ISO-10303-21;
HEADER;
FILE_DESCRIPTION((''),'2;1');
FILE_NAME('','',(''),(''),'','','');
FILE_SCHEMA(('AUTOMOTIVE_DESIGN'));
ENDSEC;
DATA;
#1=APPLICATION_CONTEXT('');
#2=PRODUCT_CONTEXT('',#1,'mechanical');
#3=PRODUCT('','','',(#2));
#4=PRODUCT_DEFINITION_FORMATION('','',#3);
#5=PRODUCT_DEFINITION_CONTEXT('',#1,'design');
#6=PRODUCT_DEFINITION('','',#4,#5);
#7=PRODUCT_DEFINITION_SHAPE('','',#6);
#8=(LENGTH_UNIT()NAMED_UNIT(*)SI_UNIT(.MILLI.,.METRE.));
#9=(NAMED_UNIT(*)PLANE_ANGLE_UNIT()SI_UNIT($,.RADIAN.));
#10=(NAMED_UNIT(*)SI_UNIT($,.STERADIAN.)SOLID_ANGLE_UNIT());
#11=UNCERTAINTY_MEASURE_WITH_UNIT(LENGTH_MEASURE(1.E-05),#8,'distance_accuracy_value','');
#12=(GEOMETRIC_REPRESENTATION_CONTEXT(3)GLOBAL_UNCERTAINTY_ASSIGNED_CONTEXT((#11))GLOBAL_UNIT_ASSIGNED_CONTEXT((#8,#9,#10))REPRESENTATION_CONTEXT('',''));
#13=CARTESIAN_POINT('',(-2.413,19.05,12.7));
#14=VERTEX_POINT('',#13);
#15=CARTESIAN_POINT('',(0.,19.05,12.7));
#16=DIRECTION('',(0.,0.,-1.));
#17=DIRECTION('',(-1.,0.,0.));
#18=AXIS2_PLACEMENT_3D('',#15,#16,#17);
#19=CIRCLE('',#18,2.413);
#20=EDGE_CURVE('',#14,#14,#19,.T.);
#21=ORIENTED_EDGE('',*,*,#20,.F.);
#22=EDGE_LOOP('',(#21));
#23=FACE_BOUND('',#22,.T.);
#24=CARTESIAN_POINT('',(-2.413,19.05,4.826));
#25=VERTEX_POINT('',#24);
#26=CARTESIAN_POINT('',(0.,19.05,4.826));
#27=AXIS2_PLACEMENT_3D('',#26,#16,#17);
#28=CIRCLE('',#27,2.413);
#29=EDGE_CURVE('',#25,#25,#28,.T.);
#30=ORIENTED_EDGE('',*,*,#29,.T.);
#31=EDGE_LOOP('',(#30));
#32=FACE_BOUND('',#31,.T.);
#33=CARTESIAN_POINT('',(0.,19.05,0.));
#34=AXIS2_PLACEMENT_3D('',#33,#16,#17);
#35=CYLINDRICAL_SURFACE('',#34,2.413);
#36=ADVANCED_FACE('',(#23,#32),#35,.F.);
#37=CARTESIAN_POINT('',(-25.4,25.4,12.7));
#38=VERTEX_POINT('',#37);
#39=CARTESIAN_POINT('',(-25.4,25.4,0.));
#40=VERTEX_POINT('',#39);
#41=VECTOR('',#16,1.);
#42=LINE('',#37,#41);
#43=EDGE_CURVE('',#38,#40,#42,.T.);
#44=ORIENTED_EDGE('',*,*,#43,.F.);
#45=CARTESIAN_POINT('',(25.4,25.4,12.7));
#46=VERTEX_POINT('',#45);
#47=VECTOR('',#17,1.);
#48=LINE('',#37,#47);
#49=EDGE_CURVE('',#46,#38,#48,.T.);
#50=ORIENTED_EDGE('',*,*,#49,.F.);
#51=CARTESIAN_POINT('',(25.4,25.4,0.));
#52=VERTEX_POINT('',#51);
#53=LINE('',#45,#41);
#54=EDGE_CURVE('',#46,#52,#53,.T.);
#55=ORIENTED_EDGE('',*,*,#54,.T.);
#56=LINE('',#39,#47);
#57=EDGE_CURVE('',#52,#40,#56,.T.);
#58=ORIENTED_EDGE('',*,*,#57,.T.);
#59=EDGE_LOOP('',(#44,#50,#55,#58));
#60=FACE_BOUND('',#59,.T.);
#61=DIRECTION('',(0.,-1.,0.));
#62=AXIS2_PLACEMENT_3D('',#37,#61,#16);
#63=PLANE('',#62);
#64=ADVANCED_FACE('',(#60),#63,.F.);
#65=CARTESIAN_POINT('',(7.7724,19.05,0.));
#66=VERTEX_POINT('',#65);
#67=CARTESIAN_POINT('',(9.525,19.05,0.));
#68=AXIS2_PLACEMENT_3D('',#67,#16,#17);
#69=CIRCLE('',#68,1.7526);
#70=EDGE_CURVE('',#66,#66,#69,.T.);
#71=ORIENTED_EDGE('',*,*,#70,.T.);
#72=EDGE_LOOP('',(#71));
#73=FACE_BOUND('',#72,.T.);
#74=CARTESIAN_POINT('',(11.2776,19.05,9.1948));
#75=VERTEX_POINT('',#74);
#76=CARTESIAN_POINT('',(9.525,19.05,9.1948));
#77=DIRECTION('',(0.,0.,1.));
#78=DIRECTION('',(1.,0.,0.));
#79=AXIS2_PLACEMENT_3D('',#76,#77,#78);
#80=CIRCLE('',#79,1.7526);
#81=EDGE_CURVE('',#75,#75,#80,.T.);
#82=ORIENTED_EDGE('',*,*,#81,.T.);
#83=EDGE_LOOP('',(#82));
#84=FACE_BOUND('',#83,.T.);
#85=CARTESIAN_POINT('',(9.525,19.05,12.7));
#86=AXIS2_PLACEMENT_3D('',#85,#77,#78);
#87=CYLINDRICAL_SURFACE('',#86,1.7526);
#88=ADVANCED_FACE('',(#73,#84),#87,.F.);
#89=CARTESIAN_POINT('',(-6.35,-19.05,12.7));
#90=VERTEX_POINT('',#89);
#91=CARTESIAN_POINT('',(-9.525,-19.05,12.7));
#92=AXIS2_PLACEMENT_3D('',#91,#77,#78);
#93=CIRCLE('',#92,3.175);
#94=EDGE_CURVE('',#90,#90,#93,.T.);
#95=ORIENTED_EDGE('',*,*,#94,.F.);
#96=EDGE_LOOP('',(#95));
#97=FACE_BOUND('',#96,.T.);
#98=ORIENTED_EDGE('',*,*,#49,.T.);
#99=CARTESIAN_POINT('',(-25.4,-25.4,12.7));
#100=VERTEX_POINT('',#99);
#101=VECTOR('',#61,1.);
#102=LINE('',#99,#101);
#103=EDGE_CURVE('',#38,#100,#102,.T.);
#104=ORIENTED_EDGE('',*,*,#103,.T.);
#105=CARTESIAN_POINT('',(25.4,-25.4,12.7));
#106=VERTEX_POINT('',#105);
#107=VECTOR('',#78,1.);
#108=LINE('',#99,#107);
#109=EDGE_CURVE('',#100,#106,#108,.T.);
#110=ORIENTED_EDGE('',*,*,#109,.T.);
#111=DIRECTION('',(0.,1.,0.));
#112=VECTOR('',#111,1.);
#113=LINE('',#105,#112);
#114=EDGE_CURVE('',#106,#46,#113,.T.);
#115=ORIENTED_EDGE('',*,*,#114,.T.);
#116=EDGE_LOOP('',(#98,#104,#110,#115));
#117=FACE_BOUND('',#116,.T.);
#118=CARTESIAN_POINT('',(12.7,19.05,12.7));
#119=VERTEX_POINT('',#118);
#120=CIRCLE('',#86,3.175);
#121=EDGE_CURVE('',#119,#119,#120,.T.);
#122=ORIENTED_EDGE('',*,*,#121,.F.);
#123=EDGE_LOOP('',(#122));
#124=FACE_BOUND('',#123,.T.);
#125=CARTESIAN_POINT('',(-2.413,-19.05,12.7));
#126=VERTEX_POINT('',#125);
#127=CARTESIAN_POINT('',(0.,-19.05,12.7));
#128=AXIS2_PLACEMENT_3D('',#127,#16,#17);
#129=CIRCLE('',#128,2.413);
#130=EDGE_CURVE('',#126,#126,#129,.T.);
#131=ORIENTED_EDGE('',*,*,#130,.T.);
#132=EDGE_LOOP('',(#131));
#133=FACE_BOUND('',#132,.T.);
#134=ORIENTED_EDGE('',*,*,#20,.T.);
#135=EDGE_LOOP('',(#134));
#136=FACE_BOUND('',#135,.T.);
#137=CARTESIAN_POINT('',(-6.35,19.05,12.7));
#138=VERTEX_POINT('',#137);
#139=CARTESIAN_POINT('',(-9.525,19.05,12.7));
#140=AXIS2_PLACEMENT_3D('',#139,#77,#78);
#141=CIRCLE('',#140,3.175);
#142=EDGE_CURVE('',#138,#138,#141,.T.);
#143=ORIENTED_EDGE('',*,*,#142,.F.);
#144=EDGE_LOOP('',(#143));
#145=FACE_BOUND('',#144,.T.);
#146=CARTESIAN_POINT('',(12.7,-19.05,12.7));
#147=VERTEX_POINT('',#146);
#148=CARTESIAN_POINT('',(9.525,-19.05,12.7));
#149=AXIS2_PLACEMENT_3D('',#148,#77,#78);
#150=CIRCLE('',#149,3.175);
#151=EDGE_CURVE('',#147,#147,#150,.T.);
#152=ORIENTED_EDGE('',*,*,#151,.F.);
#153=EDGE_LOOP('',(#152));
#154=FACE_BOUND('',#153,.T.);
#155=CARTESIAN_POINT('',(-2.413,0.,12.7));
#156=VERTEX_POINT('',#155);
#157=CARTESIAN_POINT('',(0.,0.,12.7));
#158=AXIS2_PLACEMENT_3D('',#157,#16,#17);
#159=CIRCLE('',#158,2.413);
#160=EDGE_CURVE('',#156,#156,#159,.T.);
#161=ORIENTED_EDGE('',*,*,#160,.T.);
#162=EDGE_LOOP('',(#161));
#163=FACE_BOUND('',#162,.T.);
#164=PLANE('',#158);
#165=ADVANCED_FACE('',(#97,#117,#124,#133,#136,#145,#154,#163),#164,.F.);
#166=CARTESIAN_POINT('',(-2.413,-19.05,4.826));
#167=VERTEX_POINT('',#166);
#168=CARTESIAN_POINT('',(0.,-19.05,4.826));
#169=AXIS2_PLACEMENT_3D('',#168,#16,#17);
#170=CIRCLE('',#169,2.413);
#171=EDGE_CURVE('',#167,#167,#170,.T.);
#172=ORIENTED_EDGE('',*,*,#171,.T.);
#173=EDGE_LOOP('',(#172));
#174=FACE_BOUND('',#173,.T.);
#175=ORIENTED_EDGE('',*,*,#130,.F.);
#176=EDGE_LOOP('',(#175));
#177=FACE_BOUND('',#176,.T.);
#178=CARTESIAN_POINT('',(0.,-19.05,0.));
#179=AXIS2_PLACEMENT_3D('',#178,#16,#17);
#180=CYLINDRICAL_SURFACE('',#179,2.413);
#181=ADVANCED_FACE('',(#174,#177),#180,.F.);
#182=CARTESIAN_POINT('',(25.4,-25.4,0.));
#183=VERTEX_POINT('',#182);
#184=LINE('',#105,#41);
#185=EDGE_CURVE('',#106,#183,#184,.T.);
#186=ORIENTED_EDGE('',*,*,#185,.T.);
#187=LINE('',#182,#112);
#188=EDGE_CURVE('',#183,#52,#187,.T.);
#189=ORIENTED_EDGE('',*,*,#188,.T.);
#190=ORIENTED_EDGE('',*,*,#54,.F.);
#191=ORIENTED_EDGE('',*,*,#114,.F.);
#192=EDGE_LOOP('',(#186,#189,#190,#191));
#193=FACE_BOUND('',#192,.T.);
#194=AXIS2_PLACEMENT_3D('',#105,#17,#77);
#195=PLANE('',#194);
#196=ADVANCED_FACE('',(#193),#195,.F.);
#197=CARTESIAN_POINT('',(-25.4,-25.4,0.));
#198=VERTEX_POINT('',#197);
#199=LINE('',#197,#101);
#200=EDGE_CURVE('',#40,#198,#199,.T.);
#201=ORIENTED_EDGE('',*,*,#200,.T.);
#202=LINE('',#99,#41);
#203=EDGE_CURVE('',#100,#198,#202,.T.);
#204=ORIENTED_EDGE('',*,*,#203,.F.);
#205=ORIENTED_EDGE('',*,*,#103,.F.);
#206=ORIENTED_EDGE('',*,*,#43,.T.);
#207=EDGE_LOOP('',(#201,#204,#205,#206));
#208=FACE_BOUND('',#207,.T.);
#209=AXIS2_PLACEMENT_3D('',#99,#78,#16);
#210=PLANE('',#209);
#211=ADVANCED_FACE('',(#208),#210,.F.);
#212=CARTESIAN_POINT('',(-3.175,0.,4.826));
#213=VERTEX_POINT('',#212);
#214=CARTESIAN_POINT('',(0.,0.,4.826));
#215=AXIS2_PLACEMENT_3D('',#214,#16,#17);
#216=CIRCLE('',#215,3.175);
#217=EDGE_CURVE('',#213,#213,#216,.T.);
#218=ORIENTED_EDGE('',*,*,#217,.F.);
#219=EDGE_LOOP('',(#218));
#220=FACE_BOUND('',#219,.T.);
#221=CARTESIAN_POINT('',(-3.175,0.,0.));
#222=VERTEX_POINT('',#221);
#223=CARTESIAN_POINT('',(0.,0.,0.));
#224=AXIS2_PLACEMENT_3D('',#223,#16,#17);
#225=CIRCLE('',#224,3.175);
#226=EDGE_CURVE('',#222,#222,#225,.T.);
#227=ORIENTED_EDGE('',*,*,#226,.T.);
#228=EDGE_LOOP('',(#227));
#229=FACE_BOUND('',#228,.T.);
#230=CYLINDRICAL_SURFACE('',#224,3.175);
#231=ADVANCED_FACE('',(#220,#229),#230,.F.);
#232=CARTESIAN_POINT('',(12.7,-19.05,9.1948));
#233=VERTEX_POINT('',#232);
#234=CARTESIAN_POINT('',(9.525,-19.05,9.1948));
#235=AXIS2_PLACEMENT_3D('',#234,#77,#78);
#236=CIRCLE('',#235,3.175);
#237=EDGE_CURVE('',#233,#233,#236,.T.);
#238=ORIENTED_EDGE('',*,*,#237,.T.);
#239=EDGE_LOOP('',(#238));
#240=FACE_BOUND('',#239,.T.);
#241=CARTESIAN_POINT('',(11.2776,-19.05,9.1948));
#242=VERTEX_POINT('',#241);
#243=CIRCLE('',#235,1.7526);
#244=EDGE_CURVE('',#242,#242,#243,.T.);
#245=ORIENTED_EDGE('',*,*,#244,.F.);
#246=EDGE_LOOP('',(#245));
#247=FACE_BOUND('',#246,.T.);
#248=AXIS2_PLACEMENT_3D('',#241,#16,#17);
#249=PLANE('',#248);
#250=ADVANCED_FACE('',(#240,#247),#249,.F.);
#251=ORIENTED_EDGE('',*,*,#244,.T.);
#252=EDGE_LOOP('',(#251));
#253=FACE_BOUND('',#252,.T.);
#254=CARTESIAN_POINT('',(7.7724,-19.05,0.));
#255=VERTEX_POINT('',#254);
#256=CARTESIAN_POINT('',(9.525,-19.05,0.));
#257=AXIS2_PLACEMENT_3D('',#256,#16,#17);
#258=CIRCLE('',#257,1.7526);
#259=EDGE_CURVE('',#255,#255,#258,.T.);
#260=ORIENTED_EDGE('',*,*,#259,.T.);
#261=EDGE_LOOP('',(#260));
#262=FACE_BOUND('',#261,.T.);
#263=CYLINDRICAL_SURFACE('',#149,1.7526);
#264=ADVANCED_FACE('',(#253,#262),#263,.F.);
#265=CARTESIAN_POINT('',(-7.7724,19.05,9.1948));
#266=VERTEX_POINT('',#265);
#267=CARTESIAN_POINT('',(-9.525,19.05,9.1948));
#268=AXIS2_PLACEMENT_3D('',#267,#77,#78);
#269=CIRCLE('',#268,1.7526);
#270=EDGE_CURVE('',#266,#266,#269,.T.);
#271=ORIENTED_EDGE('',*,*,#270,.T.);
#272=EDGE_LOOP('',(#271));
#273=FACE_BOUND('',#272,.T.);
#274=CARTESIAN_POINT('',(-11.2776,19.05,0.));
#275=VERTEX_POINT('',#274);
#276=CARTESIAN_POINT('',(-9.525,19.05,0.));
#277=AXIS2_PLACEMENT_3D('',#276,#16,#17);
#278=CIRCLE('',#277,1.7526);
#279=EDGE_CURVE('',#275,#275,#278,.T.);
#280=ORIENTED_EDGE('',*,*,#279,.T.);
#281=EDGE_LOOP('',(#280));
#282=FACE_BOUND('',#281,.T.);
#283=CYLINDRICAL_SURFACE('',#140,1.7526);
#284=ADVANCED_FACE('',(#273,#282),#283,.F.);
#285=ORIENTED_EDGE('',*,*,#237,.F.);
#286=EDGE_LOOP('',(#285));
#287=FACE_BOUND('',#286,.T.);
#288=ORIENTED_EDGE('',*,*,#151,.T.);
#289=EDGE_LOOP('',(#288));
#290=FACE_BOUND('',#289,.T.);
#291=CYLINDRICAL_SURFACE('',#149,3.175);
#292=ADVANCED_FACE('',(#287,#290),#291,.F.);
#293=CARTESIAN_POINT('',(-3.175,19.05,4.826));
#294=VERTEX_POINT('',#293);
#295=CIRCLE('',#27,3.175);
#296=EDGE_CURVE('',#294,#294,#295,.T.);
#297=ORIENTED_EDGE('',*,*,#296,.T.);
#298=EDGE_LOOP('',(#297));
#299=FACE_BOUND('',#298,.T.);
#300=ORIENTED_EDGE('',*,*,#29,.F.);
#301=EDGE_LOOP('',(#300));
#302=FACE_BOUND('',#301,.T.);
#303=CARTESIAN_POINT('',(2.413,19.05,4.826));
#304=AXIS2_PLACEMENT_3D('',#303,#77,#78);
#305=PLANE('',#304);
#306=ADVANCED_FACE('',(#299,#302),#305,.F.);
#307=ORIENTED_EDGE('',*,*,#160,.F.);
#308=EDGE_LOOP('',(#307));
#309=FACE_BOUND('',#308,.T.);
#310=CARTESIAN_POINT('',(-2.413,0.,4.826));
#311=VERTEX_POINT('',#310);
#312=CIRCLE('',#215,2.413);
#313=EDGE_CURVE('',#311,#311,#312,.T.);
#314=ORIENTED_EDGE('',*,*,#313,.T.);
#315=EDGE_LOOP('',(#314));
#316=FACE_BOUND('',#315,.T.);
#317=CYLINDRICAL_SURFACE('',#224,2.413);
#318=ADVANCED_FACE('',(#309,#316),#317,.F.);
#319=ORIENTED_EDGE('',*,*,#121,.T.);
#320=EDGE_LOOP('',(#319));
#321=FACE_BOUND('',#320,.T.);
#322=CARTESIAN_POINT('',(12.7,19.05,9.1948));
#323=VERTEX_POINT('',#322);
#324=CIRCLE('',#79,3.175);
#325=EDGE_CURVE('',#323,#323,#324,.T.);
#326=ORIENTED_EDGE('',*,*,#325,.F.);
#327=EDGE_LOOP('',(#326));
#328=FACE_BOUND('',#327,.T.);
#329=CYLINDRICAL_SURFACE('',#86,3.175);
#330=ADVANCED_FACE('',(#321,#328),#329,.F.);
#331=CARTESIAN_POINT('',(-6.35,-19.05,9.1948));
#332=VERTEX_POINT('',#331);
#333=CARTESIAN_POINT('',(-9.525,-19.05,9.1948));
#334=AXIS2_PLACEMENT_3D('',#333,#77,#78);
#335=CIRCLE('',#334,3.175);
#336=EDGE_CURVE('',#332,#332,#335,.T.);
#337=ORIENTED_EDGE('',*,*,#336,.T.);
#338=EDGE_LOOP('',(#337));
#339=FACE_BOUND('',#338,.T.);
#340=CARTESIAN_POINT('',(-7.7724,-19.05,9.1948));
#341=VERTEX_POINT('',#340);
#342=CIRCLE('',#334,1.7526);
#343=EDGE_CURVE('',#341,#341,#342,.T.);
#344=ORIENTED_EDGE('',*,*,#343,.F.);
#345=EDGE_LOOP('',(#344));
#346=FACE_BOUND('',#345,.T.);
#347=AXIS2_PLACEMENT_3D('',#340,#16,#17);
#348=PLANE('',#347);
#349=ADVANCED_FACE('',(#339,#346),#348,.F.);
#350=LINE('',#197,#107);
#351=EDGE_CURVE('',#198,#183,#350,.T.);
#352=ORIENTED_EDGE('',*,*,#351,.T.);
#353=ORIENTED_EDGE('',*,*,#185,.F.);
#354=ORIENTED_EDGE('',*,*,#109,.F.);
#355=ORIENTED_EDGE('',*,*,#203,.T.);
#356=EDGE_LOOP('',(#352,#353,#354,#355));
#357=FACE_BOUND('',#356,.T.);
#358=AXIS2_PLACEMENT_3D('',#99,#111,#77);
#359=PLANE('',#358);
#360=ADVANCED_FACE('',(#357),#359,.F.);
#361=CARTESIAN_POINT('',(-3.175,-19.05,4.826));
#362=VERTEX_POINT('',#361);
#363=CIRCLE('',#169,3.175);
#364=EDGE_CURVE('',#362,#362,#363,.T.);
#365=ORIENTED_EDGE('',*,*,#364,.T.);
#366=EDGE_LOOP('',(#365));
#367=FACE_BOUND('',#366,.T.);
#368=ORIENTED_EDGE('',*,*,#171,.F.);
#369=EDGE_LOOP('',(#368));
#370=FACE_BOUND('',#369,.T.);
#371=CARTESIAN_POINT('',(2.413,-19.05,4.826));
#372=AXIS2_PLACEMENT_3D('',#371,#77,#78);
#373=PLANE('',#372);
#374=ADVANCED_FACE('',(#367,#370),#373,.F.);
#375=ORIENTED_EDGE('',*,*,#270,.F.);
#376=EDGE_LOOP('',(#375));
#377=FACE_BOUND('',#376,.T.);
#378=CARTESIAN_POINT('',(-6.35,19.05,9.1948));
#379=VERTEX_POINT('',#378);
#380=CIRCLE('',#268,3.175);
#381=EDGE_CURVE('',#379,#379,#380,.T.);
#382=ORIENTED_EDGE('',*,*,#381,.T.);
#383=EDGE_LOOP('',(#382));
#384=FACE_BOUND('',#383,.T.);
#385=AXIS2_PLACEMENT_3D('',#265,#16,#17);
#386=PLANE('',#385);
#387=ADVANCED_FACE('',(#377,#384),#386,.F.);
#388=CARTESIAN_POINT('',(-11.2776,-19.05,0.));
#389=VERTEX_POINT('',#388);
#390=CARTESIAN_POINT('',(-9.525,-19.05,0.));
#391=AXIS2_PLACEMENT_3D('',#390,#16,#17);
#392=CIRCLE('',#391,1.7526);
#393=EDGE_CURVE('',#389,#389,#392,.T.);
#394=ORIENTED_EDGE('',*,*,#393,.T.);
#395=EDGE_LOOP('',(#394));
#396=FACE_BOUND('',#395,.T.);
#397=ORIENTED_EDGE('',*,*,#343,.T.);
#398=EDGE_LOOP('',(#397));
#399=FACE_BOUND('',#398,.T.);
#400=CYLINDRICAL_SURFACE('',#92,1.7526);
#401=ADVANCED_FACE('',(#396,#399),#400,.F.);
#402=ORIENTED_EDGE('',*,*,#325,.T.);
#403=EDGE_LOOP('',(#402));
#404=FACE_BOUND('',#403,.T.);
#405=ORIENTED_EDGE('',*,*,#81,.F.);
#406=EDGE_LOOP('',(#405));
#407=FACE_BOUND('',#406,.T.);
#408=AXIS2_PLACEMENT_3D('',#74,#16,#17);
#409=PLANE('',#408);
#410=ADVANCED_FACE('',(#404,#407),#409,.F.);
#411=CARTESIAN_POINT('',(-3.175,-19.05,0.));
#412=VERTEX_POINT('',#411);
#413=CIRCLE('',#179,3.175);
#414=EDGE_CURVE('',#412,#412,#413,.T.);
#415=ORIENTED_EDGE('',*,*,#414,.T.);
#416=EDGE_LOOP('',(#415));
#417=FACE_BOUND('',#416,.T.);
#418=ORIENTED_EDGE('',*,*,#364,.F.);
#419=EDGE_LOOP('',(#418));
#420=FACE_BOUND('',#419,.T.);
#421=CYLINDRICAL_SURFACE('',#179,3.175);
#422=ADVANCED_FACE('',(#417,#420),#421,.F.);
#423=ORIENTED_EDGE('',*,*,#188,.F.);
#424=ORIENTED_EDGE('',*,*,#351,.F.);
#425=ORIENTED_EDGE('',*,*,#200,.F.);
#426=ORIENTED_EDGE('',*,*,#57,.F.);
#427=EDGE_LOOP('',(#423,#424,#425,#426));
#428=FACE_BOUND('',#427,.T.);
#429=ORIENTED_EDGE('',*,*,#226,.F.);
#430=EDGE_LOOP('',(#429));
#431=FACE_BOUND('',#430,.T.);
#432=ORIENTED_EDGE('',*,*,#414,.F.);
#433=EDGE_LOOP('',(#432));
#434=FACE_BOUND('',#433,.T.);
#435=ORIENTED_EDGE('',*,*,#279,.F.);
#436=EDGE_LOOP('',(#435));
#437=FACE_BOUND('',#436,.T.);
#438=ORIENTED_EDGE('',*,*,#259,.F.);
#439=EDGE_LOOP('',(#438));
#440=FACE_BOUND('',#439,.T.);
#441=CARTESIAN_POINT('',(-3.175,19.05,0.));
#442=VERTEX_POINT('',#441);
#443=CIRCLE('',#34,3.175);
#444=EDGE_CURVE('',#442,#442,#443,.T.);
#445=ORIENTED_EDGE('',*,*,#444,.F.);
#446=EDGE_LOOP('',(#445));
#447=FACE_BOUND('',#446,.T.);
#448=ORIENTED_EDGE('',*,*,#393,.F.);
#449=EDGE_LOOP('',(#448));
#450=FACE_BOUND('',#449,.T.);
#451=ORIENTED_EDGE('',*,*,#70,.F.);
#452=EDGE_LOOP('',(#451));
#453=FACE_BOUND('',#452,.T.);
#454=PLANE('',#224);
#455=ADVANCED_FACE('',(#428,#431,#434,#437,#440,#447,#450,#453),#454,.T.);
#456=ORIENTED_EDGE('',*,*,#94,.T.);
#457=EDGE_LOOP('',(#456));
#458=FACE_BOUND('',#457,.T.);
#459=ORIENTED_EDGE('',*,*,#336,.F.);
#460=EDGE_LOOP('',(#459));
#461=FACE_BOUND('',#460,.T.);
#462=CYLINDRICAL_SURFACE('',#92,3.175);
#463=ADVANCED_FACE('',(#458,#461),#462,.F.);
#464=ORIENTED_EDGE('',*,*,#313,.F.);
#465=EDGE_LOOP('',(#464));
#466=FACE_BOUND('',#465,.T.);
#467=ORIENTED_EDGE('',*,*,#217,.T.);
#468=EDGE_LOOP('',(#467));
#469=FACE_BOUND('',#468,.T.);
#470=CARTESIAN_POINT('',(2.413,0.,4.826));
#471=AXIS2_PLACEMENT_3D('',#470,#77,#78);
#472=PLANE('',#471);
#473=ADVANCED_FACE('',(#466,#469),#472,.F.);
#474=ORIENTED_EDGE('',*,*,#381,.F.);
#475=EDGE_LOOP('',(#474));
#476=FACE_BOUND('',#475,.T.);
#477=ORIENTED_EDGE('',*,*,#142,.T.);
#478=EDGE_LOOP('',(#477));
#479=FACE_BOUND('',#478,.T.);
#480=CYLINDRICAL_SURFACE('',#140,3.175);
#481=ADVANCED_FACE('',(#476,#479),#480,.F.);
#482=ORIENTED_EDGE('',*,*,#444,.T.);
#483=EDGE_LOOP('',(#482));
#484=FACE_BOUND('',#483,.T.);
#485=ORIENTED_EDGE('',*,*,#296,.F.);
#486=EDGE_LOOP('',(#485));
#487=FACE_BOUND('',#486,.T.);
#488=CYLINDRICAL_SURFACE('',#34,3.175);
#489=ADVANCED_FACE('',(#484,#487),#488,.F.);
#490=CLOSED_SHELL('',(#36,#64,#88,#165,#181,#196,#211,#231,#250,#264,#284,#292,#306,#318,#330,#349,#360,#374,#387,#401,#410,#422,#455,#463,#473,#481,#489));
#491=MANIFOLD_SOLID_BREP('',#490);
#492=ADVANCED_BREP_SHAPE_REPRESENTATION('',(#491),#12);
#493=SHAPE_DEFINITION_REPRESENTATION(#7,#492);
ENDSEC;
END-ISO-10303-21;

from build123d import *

# Parameters (mm, degrees)
SKETCH1_W           = 50.8
SKETCH1_H           = 50.8
BOSS_EXTRUDE1_DEPTH = 12.7
F_10_CB_D           = 4.826
F_10_CB_CBORE_D     = 6.35
F_10_CB_CBORE_DEPTH = 4.826
F_6_CB_D            = 3.5052
F_6_CB_DEPTH        = 50.8
F_6_CB_CBORE_D      = 6.35
F_6_CB_CBORE_DEPTH  = 3.5052


with BuildPart() as part:
    # Sketch1 → Boss-Extrude1 (new body)
    with BuildSketch(Plane.XY):
        Rectangle(SKETCH1_W, SKETCH1_H)
    extrude(amount=BOSS_EXTRUDE1_DEPTH)

    # #10 CB (through all)
    with Locations(Plane(origin=(0, 0, 0), x_dir=(1, 0, 0), z_dir=(0, 0, -1))):
        with Locations((0, -19.05), (0, 0), (0, 19.05)):
            CounterBoreHole(F_10_CB_D / 2, F_10_CB_CBORE_D / 2, F_10_CB_CBORE_DEPTH)

    # #6 CB
    with Locations(Plane.XY.offset(12.7)):
        with Locations((-9.525, 19.05), (-9.525, -19.05), (9.525, -19.05), (9.525, 19.05)):
            CounterBoreHole(F_6_CB_D / 2, F_6_CB_CBORE_D / 2, F_6_CB_CBORE_DEPTH, depth=F_6_CB_DEPTH)


solid = part.part
